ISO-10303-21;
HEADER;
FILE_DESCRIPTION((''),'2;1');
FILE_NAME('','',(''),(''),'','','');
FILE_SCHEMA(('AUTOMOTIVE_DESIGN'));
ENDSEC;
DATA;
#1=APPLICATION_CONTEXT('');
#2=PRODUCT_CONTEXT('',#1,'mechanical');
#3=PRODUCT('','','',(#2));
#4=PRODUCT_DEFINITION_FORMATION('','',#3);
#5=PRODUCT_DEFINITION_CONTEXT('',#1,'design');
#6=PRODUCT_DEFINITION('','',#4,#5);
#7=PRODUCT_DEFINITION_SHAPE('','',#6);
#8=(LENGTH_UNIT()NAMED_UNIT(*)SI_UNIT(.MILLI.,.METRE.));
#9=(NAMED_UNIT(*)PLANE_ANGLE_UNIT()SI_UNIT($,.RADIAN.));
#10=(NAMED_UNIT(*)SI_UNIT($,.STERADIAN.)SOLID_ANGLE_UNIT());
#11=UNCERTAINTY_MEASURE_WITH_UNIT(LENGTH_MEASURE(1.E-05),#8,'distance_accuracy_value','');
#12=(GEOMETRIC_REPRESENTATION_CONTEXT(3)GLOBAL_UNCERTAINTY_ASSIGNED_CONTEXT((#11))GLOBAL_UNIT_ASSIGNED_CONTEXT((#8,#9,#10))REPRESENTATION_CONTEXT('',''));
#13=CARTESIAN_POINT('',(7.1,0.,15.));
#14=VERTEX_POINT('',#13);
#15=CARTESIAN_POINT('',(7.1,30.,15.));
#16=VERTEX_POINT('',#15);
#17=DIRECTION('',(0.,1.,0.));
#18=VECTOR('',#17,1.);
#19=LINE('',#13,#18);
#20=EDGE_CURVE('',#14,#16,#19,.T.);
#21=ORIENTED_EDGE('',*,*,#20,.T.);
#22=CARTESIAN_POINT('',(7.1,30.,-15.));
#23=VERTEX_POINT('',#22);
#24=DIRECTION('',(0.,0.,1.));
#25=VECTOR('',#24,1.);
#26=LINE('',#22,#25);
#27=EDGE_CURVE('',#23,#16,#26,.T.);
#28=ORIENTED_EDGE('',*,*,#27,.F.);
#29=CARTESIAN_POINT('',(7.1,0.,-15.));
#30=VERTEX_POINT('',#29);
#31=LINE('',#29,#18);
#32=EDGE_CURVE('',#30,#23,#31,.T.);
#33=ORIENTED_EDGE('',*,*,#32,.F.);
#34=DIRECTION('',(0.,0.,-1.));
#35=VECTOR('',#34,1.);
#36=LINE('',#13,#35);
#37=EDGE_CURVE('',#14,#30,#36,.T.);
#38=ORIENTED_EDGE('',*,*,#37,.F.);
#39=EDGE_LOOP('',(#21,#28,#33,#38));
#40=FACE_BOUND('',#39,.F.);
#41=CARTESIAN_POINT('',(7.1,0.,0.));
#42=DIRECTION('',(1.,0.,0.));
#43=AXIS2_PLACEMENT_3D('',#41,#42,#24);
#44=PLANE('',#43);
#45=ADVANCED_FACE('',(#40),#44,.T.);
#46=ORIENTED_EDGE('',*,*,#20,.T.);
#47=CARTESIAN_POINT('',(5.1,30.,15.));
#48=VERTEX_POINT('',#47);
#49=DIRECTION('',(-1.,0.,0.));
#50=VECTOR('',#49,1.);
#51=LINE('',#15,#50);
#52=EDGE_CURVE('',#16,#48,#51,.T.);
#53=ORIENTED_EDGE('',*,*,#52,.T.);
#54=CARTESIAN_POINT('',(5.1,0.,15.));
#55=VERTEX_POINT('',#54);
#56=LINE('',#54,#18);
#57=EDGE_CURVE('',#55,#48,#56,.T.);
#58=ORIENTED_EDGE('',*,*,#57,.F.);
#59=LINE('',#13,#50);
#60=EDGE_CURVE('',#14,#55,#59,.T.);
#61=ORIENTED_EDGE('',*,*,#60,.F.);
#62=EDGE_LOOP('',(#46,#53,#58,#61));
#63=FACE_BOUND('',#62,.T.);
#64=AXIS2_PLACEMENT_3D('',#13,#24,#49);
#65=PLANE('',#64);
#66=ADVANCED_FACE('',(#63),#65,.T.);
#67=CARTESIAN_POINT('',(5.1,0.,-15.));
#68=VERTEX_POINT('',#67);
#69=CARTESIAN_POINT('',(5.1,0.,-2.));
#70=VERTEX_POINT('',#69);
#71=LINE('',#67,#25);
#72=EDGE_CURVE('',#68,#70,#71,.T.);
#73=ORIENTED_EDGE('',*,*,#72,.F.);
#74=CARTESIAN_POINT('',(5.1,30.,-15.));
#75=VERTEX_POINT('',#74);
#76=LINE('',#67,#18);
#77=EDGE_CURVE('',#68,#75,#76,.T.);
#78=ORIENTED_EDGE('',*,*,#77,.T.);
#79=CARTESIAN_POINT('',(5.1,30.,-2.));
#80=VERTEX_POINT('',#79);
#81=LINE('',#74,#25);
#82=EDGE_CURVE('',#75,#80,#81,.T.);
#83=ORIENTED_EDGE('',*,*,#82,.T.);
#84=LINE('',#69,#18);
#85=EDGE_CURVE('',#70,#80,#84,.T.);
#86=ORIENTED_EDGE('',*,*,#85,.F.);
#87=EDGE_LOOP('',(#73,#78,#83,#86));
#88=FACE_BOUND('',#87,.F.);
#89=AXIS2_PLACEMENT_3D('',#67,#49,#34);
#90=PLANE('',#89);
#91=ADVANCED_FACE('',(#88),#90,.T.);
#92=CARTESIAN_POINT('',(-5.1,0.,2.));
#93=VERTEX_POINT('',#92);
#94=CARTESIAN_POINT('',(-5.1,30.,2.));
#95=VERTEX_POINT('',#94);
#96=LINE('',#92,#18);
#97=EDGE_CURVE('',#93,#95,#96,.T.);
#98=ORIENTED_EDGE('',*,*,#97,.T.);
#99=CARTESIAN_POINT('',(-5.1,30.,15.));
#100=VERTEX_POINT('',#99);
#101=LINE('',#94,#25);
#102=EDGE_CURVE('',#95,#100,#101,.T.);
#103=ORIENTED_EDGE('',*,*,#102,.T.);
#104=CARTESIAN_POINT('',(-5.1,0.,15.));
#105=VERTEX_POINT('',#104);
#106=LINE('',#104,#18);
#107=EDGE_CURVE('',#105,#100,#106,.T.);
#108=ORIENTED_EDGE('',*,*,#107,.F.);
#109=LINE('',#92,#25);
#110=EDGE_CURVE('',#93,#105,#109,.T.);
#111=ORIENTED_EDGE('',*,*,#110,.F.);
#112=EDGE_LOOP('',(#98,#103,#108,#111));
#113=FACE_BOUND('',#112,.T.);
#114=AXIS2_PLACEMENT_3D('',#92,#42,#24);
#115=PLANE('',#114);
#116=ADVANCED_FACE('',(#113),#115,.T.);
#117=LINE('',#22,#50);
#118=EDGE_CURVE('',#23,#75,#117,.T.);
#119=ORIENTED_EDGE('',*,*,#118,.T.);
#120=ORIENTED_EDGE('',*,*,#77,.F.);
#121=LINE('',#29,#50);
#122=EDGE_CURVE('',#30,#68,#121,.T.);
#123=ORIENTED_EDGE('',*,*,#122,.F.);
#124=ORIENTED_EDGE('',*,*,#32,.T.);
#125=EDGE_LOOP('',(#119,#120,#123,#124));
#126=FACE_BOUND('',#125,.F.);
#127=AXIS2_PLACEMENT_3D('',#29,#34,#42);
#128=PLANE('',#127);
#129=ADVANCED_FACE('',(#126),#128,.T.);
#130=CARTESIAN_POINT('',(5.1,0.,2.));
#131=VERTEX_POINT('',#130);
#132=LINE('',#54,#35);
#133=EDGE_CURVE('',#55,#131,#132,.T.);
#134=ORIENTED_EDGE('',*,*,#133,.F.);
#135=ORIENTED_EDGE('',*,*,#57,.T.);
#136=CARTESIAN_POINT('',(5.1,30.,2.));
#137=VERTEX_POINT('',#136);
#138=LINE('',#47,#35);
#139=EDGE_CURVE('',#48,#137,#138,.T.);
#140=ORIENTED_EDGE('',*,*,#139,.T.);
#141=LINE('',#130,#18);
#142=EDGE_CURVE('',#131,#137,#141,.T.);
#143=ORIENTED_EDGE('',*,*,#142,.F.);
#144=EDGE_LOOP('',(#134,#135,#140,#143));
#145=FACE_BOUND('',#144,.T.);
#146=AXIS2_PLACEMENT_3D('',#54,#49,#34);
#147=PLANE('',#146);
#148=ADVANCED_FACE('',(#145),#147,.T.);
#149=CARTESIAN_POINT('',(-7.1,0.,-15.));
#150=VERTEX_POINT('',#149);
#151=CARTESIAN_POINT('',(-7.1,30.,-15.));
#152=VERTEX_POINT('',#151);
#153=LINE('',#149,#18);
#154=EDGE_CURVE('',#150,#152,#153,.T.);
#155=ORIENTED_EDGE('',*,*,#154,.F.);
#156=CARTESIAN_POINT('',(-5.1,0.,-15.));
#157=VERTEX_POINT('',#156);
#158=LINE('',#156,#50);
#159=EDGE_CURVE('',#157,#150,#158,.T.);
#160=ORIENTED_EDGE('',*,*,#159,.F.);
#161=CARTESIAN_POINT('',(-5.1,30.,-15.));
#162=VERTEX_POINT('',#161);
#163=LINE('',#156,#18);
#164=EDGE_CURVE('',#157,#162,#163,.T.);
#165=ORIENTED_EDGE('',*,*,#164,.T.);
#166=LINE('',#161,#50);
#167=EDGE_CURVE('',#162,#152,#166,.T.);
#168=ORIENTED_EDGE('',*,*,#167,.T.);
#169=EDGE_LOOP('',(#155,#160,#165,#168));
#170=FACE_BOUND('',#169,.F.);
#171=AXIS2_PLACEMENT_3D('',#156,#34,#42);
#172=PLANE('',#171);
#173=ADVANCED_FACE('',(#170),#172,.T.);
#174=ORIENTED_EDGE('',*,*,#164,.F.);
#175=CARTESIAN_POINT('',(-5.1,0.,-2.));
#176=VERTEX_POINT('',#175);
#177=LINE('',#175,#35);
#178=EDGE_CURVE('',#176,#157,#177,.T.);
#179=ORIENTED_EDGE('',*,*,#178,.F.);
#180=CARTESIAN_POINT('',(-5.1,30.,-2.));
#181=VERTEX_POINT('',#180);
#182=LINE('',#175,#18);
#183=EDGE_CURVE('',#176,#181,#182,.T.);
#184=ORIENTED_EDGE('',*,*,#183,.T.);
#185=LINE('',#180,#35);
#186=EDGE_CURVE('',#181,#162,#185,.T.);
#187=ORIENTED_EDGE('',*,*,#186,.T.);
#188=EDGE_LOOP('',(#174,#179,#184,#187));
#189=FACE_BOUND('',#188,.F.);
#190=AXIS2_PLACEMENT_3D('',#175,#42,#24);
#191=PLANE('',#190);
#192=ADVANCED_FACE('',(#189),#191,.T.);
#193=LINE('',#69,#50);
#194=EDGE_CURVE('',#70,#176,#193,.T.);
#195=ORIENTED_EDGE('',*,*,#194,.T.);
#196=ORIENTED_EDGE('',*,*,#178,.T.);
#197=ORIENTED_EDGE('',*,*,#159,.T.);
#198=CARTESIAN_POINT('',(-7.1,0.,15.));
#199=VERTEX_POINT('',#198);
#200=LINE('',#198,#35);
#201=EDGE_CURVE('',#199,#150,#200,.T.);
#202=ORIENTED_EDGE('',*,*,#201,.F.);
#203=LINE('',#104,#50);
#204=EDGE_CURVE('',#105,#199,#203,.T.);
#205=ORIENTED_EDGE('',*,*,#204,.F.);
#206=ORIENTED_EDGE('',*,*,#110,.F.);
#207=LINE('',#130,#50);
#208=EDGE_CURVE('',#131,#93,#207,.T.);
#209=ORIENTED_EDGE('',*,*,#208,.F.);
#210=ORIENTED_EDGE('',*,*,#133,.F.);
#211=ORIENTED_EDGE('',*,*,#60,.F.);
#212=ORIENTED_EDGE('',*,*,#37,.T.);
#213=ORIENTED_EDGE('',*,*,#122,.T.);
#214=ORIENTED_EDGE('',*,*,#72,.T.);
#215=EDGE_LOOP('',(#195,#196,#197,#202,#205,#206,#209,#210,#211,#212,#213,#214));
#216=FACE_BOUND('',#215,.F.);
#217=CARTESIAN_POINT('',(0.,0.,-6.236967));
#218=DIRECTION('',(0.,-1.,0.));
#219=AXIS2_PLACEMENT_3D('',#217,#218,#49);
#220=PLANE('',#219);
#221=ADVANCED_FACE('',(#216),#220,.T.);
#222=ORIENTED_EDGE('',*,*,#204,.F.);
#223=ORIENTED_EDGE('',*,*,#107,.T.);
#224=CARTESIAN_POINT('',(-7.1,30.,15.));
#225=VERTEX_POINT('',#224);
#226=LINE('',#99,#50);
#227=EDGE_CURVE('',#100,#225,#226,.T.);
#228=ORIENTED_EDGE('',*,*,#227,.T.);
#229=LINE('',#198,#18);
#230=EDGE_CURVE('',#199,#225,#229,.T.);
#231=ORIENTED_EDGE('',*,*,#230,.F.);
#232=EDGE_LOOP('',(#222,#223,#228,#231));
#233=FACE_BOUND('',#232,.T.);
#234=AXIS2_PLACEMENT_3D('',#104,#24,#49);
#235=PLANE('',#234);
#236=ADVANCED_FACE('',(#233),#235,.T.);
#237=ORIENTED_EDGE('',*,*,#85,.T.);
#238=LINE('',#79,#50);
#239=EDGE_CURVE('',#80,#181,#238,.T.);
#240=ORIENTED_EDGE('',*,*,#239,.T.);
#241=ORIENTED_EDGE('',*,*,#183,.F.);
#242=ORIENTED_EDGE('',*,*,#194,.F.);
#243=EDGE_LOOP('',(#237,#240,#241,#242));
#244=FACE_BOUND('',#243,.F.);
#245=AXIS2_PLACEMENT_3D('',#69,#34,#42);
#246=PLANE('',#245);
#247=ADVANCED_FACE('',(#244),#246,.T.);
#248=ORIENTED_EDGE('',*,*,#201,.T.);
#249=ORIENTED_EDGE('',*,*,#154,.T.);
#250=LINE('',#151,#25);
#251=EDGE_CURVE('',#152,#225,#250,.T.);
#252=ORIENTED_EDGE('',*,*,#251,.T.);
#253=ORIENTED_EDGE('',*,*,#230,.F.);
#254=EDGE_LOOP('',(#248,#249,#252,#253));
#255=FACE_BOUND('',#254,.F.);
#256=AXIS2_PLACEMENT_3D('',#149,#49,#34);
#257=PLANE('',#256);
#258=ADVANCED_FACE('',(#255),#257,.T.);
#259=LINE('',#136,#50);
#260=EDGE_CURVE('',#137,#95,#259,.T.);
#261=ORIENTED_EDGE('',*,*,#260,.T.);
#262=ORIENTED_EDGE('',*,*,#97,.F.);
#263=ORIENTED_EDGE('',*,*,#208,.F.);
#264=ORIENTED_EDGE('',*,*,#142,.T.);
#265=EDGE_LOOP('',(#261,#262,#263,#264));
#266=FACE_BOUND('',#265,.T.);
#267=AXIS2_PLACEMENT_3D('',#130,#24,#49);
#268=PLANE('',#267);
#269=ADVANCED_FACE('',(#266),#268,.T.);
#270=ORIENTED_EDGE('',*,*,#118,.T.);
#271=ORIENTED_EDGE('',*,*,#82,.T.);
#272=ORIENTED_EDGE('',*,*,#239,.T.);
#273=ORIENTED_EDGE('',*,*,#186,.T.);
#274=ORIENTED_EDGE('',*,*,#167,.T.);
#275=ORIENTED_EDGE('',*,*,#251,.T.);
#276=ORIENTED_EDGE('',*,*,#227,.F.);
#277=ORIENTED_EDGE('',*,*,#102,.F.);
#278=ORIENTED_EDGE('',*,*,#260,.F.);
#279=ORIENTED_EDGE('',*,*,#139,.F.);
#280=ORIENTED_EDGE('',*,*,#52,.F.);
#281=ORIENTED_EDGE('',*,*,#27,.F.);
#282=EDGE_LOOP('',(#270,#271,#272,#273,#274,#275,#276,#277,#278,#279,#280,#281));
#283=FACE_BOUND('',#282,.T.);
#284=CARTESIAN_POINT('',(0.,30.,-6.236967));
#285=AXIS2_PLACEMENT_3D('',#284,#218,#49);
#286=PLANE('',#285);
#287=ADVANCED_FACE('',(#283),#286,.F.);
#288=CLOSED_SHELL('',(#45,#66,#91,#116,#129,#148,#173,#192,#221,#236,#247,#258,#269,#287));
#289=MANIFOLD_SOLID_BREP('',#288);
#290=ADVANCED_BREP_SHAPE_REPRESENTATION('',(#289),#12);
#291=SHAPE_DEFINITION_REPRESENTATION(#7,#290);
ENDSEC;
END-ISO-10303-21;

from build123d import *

# Parameters (mm, degrees)
F1_DEPTH = 30


with BuildPart() as f1:
    # F0 (on Front) → F1 (new body)
    with BuildSketch(Plane.XZ):
        Polygon((-7.1, 2), (-7.1, 0), (7.1, 0), (7.1, 2), (7.1, 15), (5.1, 15), (5.1, 2), (-5.1, 2), (-5.1, 15), (-7.1, 15), align=None)
    extrude(amount=-F1_DEPTH)

    # F2: F1 across face


with BuildPart() as f1_1:
    add(f1.part)
    add(f1.part.mirror(Plane(origin=(0, 15, 0), x_dir=(1, 0, 0), z_dir=(0, 0, -1))))


solid = f1_1.part
